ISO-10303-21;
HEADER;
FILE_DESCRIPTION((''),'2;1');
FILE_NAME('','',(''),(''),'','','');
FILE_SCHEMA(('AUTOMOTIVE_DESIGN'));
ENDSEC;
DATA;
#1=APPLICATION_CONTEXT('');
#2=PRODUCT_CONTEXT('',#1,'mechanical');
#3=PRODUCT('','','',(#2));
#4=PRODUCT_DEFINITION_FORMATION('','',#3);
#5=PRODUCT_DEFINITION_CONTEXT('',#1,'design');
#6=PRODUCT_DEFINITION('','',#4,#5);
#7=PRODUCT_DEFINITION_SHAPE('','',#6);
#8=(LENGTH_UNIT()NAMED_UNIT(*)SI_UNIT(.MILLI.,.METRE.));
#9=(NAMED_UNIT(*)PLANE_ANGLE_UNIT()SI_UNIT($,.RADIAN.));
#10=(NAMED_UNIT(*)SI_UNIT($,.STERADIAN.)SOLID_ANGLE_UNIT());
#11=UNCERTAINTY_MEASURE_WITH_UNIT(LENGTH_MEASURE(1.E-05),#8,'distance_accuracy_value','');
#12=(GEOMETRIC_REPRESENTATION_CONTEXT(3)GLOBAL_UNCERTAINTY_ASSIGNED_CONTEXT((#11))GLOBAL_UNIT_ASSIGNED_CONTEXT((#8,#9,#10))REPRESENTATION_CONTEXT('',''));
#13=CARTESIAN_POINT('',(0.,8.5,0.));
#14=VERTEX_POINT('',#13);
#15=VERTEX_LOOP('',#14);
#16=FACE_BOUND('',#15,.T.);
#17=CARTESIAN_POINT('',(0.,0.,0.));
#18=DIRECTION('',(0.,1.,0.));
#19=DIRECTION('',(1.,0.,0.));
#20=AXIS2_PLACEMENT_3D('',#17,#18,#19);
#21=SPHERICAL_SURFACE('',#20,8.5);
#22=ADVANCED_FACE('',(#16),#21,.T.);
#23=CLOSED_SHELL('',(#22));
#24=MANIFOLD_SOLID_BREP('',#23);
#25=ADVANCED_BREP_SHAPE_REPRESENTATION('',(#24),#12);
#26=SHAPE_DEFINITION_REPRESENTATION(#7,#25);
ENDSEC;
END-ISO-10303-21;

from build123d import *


with BuildPart() as part:
    # 草图1 → 旋转1 (revolve)
    with BuildSketch(Plane.XY):
        with BuildLine():
            Line((0, 8.5), (0, -8.5))
            ThreePointArc((0, -8.5), (8.5, 0), (0, 8.5))
        make_face()
    revolve(axis=Axis((0, 8.5, 0), (0, -1, 0)))


solid = part.part
